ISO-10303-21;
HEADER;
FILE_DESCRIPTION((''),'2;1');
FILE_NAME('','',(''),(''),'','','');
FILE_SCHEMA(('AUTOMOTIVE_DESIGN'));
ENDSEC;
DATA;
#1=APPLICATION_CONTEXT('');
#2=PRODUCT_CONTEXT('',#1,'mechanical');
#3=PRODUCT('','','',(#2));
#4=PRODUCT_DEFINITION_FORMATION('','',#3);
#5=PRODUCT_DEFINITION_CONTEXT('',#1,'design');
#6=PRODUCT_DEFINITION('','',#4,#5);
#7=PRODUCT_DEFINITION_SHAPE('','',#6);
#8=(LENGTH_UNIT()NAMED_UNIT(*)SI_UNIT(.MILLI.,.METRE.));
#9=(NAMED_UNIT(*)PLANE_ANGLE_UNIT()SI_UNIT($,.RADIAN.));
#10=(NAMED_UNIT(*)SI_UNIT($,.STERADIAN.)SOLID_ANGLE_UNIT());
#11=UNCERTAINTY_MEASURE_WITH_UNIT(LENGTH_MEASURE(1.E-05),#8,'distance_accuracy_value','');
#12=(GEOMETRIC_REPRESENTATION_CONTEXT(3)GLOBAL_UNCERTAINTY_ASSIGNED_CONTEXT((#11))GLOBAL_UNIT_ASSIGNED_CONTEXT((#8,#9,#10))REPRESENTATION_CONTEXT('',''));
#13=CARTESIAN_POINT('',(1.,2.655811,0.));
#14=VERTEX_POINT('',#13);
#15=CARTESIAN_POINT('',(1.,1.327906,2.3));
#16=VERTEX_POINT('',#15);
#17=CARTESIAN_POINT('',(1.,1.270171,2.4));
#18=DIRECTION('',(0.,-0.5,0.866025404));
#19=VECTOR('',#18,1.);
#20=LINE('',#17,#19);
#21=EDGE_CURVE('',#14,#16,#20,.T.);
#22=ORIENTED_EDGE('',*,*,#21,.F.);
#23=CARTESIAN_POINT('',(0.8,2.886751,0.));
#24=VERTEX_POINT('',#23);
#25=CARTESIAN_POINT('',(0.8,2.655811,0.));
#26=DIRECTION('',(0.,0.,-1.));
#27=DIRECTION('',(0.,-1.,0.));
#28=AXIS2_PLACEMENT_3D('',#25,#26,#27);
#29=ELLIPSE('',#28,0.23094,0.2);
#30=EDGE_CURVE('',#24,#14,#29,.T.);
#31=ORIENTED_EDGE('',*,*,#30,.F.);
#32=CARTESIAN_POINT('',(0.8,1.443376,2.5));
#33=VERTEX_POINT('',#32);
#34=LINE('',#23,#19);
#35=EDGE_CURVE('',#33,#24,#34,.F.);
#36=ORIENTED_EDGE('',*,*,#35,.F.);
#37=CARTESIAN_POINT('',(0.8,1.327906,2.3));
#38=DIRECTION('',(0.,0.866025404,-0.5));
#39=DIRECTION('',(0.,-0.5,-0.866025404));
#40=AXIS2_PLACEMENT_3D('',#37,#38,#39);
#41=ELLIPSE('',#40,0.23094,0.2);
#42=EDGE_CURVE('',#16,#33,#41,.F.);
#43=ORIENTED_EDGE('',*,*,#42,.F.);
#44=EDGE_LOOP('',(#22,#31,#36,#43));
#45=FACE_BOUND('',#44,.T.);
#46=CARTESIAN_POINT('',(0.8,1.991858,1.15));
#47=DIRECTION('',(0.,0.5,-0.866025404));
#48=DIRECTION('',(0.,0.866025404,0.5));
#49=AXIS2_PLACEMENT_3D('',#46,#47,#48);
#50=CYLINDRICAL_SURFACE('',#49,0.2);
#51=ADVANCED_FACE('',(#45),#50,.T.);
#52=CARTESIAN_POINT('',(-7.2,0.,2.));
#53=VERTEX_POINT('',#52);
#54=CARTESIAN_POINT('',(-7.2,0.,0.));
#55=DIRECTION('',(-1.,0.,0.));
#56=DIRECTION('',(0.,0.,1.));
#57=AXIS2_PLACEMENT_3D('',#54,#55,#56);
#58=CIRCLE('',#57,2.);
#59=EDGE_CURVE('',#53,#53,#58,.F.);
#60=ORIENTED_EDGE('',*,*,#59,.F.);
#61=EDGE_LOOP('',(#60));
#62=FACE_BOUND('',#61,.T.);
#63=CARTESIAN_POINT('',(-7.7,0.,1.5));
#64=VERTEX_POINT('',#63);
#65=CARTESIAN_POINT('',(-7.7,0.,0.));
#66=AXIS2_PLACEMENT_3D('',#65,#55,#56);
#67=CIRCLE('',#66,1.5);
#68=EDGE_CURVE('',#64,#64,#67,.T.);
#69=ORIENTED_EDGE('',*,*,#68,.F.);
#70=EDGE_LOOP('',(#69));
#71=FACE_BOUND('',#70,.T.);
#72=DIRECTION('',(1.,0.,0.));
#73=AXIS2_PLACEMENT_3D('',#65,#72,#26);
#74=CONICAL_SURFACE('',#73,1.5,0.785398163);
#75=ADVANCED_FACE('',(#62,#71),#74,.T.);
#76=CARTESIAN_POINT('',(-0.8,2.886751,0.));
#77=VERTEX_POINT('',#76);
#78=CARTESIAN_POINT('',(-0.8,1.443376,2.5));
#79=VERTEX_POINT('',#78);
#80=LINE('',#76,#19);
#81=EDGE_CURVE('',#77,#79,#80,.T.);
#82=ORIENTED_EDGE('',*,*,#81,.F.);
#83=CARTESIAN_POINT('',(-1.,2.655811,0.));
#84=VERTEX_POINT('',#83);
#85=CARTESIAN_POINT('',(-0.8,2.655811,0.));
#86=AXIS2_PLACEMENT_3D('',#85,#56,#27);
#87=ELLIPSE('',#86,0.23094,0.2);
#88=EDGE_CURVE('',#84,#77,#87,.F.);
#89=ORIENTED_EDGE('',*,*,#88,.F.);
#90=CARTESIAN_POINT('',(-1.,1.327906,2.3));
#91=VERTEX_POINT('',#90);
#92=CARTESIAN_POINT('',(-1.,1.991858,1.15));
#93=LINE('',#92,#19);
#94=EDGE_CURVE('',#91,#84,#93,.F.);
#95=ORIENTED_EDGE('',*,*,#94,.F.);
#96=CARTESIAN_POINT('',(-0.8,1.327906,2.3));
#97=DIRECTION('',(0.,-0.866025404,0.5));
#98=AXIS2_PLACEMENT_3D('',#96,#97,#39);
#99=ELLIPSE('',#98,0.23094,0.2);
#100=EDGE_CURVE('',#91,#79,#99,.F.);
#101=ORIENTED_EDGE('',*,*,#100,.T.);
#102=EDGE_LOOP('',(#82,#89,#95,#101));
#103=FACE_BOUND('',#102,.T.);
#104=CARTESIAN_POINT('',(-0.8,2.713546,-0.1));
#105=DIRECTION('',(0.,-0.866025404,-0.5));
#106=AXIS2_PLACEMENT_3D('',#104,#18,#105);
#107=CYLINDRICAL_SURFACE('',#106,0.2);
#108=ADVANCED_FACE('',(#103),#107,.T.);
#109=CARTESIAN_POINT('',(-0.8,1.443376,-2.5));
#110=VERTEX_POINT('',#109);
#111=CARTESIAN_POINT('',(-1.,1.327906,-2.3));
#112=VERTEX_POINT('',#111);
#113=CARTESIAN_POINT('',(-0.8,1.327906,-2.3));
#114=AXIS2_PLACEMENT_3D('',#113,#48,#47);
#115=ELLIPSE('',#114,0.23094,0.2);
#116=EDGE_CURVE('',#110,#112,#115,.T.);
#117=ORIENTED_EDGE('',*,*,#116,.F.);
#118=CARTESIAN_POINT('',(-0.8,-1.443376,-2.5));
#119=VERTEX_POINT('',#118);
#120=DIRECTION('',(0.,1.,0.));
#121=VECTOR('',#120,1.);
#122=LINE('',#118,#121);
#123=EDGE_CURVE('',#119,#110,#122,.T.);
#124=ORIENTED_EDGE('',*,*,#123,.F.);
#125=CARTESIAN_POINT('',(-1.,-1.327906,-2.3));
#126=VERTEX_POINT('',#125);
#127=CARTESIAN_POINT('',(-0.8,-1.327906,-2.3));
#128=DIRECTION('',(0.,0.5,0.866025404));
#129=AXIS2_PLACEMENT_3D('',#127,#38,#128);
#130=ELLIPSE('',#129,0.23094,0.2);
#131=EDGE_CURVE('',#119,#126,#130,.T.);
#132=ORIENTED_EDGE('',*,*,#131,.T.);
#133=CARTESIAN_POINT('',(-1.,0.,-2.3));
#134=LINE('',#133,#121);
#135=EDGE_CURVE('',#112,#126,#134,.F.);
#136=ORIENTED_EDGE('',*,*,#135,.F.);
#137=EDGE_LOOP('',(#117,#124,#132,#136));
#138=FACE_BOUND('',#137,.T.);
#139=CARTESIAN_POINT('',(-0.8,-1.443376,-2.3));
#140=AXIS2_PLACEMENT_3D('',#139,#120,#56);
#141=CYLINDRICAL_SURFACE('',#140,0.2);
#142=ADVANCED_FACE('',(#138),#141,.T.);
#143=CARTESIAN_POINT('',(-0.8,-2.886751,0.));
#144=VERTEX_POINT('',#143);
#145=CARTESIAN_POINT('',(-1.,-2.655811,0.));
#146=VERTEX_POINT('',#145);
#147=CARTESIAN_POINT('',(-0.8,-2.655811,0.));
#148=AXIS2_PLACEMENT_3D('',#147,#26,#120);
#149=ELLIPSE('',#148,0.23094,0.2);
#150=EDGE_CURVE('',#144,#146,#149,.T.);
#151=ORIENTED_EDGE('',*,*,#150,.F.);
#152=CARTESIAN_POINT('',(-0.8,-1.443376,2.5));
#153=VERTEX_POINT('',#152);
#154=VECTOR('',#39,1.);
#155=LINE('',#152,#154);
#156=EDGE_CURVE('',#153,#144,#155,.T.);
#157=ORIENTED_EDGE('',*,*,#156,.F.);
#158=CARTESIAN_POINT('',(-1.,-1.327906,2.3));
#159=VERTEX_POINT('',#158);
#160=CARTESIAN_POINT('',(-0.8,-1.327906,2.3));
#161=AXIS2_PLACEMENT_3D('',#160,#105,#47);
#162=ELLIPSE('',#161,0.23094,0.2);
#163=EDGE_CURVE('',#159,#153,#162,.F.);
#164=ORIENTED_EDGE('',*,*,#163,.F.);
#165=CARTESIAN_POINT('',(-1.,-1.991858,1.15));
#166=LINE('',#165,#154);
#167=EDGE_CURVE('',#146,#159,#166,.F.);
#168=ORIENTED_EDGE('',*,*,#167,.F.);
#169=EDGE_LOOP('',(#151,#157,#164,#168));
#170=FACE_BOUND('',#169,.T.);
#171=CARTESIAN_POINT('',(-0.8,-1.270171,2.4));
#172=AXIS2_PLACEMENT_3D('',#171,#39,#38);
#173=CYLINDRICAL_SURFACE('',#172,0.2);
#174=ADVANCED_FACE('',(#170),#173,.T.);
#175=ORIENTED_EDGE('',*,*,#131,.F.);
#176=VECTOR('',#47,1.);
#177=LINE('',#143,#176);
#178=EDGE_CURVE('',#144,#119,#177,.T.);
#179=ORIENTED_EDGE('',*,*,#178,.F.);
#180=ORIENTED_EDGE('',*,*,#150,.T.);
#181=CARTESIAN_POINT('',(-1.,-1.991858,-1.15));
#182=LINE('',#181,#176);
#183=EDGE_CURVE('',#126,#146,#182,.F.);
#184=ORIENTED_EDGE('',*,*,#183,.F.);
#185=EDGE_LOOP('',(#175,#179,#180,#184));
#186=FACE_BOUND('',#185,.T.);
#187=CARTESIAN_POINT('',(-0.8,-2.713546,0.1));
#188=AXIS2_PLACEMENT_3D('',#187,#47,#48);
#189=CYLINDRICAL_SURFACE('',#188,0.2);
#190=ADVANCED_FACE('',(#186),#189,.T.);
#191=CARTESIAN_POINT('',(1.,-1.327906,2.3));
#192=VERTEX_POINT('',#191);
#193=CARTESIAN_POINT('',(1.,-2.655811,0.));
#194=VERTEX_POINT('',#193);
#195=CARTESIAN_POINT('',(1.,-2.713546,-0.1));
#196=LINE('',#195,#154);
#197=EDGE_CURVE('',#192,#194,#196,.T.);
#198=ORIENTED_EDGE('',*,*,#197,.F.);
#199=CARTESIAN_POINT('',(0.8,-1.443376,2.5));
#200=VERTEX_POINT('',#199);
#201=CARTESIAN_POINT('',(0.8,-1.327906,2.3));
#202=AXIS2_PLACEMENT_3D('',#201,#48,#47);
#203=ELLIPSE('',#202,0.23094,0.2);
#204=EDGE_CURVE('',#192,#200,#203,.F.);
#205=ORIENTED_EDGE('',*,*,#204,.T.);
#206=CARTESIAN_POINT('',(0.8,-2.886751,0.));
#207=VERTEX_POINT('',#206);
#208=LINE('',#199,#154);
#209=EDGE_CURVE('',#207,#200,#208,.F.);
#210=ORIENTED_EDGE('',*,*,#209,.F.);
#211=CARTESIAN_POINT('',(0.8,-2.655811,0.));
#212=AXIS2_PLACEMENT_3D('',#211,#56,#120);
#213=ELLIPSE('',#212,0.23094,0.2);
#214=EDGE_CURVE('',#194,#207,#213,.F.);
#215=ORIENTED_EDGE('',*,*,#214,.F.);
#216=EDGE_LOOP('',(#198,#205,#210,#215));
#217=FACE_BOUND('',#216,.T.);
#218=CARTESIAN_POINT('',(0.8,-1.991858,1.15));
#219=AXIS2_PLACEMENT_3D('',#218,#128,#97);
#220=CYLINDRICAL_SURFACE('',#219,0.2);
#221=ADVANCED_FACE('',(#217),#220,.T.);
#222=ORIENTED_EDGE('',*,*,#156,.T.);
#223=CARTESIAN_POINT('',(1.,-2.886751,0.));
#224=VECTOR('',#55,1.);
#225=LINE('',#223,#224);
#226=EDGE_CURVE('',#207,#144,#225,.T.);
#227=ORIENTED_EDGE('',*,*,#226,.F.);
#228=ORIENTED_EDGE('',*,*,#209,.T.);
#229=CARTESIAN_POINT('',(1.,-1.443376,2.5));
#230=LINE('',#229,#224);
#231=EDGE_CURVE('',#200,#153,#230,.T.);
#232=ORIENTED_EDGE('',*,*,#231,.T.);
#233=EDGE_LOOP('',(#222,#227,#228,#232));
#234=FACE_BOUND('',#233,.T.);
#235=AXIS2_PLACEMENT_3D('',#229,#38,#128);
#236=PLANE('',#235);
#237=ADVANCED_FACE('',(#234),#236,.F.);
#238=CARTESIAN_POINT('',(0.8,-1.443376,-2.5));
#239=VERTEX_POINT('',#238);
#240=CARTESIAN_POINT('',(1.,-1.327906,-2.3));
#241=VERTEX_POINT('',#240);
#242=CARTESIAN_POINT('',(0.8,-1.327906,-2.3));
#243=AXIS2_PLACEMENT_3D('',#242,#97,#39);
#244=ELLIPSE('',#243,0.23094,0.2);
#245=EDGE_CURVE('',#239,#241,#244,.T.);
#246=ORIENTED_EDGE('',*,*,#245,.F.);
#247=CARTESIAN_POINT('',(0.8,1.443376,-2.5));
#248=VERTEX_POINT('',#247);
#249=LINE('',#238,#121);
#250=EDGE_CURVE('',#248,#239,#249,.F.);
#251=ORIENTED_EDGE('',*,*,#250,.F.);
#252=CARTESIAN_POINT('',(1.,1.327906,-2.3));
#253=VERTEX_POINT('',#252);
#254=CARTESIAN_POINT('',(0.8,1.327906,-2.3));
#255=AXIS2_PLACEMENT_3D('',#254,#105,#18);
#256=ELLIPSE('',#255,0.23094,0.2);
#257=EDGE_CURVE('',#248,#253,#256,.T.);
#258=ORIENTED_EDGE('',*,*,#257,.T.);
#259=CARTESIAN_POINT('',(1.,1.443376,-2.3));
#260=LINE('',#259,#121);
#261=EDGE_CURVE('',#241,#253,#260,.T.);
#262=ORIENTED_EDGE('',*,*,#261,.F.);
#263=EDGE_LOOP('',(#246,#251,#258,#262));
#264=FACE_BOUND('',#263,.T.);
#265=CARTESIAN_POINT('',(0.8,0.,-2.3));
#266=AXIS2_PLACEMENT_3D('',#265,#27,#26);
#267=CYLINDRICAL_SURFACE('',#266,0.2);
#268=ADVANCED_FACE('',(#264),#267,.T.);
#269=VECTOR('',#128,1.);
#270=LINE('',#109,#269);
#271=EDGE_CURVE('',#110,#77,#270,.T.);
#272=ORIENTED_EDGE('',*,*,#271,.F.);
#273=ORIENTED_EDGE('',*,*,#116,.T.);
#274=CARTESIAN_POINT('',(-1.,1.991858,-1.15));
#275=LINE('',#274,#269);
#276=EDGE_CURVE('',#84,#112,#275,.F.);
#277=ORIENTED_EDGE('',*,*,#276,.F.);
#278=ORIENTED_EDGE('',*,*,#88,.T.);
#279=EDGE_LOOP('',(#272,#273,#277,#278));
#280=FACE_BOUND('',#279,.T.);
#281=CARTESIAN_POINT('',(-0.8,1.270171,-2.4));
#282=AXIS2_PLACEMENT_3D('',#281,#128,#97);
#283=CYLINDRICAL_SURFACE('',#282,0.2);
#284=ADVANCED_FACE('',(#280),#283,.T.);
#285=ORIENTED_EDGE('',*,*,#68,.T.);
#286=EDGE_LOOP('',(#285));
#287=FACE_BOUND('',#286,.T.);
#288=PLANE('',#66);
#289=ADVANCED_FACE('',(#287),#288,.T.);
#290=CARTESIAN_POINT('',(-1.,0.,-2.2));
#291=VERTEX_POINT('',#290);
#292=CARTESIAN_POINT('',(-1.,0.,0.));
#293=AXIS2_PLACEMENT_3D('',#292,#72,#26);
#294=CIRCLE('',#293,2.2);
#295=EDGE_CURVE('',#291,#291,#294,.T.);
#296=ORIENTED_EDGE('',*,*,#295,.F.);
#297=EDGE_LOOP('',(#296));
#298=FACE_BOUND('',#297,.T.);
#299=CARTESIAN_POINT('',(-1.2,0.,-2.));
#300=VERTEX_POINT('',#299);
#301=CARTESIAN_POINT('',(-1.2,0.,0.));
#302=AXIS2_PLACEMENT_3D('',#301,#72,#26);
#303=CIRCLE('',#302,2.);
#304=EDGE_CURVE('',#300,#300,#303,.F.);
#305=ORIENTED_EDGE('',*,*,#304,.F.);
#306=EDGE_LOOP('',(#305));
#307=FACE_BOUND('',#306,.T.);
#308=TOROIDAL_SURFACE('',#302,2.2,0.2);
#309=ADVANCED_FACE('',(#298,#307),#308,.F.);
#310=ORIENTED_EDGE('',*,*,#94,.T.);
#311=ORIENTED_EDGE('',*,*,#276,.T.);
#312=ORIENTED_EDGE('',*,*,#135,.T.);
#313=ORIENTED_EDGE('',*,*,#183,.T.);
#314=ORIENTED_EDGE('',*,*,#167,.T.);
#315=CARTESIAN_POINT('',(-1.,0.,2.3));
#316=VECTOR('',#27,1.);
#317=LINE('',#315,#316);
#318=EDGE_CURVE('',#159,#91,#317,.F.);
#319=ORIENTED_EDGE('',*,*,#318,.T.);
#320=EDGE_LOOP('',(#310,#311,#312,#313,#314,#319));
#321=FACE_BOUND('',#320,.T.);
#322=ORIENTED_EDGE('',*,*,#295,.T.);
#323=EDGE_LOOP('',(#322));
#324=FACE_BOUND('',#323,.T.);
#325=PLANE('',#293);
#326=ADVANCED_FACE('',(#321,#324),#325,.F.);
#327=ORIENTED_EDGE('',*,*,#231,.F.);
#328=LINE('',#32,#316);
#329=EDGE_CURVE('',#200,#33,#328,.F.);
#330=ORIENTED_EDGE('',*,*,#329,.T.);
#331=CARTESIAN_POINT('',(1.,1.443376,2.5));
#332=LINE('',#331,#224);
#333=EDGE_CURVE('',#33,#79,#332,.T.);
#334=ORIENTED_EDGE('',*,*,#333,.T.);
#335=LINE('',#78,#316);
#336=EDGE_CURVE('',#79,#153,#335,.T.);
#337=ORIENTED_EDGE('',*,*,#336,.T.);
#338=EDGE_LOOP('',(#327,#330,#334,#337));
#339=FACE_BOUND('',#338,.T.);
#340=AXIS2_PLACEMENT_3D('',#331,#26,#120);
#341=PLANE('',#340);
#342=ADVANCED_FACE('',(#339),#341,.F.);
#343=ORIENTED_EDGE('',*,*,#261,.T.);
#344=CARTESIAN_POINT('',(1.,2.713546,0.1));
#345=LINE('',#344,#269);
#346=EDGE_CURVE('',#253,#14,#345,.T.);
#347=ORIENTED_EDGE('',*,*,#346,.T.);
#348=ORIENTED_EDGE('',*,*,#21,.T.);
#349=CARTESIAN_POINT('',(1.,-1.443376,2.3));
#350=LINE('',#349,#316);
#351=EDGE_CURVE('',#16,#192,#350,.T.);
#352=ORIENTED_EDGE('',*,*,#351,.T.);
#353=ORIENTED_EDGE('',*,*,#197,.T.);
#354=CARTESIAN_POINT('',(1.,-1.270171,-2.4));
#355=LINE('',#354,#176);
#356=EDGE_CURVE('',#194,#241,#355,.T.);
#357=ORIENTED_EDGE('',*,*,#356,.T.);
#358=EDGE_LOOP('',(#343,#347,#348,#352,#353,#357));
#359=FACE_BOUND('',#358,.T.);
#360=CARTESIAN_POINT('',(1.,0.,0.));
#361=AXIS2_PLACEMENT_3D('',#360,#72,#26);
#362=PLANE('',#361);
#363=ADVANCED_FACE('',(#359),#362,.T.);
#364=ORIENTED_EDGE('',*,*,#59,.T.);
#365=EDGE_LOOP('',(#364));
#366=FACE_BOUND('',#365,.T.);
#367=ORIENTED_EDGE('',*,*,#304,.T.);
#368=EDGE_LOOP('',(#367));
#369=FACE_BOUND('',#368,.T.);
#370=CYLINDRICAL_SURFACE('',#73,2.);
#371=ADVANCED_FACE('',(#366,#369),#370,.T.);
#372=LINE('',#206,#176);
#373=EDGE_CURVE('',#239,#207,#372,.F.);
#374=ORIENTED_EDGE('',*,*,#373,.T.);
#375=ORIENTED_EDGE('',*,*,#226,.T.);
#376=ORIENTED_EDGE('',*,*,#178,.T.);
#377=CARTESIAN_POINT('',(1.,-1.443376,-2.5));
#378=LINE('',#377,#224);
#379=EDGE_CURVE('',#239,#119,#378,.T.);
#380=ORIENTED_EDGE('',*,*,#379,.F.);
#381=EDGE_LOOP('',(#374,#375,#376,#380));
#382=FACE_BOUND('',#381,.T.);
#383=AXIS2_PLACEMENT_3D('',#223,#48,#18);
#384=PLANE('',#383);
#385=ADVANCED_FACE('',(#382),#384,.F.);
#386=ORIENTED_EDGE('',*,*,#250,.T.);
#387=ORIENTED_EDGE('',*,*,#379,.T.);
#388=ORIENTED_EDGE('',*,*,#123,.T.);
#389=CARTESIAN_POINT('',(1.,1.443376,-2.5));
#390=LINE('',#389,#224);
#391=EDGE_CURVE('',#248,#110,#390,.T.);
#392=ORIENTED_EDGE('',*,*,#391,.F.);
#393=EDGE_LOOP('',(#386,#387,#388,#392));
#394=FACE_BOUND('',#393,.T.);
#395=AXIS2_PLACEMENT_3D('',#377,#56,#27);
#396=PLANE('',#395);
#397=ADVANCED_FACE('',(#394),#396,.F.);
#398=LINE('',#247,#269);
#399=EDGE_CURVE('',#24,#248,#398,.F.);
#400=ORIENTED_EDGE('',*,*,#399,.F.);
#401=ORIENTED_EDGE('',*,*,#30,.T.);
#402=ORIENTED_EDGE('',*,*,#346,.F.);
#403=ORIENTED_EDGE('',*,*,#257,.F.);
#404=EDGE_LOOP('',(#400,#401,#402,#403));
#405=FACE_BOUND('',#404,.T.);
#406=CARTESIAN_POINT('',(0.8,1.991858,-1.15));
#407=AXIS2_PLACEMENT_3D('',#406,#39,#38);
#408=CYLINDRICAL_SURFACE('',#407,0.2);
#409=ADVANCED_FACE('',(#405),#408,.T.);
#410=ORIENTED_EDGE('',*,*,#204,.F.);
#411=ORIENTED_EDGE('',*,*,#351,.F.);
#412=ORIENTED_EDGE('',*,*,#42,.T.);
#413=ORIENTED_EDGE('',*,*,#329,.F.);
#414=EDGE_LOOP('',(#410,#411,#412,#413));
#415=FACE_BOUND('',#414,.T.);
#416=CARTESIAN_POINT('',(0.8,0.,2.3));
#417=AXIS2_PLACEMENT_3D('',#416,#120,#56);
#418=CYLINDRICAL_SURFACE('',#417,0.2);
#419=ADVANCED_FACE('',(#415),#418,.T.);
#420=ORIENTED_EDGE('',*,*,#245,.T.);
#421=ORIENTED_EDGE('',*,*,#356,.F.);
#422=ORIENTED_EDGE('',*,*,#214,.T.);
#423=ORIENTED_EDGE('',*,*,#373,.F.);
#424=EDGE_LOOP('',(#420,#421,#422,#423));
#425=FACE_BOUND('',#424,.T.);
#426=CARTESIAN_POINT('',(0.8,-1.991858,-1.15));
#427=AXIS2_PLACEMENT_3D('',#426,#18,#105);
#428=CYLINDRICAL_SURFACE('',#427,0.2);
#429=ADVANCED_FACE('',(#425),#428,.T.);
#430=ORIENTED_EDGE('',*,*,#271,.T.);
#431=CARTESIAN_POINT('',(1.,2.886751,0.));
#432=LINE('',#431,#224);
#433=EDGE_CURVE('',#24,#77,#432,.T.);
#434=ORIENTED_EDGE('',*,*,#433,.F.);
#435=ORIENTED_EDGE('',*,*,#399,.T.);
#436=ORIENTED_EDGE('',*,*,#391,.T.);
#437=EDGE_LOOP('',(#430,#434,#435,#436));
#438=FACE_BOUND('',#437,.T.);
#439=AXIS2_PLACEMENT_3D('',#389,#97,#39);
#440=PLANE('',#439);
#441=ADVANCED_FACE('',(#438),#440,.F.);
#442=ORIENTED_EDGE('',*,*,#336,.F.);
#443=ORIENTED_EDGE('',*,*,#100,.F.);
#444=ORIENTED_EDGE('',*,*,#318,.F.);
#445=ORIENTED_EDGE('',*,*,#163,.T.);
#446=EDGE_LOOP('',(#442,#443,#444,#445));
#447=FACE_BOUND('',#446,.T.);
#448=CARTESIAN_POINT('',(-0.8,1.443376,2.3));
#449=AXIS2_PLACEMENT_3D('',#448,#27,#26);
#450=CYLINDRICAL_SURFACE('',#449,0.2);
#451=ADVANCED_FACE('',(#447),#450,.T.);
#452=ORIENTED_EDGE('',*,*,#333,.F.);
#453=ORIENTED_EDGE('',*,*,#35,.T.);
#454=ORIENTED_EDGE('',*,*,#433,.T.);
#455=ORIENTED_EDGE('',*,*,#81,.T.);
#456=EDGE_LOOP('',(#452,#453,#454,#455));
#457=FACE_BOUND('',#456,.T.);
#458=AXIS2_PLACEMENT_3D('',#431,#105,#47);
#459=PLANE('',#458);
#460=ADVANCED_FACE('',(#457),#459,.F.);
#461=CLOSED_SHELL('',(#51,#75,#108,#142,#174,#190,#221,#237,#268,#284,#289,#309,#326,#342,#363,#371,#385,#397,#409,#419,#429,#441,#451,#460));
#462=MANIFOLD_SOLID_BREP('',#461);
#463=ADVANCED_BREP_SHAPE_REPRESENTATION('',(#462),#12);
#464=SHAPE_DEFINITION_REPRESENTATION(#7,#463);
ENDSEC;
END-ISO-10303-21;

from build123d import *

# Parameters (mm, degrees)
BOSS_EXTRUDE1_DEPTH = 1
FILLET1_R           = 0.2
SKETCH2_R           = 2
BOSS_EXTRUDE2_DEPTH = 6.7
CHAMFER1_SIZE       = 0.5
FILLET2_R           = 0.2


with BuildPart() as part:
    # Sketch1 → Boss-Extrude1 (new, symmetric)
    with BuildSketch(Plane(origin=(0, 0, 0), x_dir=(0, 0, -1), z_dir=(1, 0, 0))):
        Polygon((2.5, 1.443375673), (0, 2.886751346), (-2.5, 1.443375673), (-2.5, -1.443375673), (0, -2.886751346), (2.5, -1.443375673), align=None)
    extrude(amount=BOSS_EXTRUDE1_DEPTH, both=True)

    # Fillet1
    fillet1_edges = [part.edges().sort_by_distance(p)[0] for p in [
        (1, 2.165063509, 1.25),
        (1, 0, 2.5),
        (1, -2.165063509, 1.25),
        (1, -2.165063509, -1.25),
        (1, 0, -2.5),
        (-1, -2.165063509, -1.25),
        (-1, -2.165063509, 1.25),
        (-1, 0, 2.5),
        (-1, 2.165063509, 1.25),
        (-1, 2.165063509, -1.25),
        (-1, 0, -2.5),
        (1, 2.165063509, -1.25),
    ]]
    fillet(fillet1_edges, radius=FILLET1_R)

    # Sketch2 → Boss-Extrude2 (add)
    with BuildSketch(Plane.ZY.offset(1)):
        with Locations(Location((0, 0, 0), (0, 0, 180))):
            Circle(SKETCH2_R)
    extrude(amount=BOSS_EXTRUDE2_DEPTH)

    # Chamfer1
    chamfer1_edges = [part.edges().sort_by_distance(p)[0] for p in [
        (-7.7, 0, 2),
    ]]
    chamfer(chamfer1_edges, length=CHAMFER1_SIZE)

    # Fillet2
    fillet2_edges = [part.edges().sort_by_distance(p)[0] for p in [
        (-1, 0, 2),
    ]]
    fillet(fillet2_edges, radius=FILLET2_R)


solid = part.part
